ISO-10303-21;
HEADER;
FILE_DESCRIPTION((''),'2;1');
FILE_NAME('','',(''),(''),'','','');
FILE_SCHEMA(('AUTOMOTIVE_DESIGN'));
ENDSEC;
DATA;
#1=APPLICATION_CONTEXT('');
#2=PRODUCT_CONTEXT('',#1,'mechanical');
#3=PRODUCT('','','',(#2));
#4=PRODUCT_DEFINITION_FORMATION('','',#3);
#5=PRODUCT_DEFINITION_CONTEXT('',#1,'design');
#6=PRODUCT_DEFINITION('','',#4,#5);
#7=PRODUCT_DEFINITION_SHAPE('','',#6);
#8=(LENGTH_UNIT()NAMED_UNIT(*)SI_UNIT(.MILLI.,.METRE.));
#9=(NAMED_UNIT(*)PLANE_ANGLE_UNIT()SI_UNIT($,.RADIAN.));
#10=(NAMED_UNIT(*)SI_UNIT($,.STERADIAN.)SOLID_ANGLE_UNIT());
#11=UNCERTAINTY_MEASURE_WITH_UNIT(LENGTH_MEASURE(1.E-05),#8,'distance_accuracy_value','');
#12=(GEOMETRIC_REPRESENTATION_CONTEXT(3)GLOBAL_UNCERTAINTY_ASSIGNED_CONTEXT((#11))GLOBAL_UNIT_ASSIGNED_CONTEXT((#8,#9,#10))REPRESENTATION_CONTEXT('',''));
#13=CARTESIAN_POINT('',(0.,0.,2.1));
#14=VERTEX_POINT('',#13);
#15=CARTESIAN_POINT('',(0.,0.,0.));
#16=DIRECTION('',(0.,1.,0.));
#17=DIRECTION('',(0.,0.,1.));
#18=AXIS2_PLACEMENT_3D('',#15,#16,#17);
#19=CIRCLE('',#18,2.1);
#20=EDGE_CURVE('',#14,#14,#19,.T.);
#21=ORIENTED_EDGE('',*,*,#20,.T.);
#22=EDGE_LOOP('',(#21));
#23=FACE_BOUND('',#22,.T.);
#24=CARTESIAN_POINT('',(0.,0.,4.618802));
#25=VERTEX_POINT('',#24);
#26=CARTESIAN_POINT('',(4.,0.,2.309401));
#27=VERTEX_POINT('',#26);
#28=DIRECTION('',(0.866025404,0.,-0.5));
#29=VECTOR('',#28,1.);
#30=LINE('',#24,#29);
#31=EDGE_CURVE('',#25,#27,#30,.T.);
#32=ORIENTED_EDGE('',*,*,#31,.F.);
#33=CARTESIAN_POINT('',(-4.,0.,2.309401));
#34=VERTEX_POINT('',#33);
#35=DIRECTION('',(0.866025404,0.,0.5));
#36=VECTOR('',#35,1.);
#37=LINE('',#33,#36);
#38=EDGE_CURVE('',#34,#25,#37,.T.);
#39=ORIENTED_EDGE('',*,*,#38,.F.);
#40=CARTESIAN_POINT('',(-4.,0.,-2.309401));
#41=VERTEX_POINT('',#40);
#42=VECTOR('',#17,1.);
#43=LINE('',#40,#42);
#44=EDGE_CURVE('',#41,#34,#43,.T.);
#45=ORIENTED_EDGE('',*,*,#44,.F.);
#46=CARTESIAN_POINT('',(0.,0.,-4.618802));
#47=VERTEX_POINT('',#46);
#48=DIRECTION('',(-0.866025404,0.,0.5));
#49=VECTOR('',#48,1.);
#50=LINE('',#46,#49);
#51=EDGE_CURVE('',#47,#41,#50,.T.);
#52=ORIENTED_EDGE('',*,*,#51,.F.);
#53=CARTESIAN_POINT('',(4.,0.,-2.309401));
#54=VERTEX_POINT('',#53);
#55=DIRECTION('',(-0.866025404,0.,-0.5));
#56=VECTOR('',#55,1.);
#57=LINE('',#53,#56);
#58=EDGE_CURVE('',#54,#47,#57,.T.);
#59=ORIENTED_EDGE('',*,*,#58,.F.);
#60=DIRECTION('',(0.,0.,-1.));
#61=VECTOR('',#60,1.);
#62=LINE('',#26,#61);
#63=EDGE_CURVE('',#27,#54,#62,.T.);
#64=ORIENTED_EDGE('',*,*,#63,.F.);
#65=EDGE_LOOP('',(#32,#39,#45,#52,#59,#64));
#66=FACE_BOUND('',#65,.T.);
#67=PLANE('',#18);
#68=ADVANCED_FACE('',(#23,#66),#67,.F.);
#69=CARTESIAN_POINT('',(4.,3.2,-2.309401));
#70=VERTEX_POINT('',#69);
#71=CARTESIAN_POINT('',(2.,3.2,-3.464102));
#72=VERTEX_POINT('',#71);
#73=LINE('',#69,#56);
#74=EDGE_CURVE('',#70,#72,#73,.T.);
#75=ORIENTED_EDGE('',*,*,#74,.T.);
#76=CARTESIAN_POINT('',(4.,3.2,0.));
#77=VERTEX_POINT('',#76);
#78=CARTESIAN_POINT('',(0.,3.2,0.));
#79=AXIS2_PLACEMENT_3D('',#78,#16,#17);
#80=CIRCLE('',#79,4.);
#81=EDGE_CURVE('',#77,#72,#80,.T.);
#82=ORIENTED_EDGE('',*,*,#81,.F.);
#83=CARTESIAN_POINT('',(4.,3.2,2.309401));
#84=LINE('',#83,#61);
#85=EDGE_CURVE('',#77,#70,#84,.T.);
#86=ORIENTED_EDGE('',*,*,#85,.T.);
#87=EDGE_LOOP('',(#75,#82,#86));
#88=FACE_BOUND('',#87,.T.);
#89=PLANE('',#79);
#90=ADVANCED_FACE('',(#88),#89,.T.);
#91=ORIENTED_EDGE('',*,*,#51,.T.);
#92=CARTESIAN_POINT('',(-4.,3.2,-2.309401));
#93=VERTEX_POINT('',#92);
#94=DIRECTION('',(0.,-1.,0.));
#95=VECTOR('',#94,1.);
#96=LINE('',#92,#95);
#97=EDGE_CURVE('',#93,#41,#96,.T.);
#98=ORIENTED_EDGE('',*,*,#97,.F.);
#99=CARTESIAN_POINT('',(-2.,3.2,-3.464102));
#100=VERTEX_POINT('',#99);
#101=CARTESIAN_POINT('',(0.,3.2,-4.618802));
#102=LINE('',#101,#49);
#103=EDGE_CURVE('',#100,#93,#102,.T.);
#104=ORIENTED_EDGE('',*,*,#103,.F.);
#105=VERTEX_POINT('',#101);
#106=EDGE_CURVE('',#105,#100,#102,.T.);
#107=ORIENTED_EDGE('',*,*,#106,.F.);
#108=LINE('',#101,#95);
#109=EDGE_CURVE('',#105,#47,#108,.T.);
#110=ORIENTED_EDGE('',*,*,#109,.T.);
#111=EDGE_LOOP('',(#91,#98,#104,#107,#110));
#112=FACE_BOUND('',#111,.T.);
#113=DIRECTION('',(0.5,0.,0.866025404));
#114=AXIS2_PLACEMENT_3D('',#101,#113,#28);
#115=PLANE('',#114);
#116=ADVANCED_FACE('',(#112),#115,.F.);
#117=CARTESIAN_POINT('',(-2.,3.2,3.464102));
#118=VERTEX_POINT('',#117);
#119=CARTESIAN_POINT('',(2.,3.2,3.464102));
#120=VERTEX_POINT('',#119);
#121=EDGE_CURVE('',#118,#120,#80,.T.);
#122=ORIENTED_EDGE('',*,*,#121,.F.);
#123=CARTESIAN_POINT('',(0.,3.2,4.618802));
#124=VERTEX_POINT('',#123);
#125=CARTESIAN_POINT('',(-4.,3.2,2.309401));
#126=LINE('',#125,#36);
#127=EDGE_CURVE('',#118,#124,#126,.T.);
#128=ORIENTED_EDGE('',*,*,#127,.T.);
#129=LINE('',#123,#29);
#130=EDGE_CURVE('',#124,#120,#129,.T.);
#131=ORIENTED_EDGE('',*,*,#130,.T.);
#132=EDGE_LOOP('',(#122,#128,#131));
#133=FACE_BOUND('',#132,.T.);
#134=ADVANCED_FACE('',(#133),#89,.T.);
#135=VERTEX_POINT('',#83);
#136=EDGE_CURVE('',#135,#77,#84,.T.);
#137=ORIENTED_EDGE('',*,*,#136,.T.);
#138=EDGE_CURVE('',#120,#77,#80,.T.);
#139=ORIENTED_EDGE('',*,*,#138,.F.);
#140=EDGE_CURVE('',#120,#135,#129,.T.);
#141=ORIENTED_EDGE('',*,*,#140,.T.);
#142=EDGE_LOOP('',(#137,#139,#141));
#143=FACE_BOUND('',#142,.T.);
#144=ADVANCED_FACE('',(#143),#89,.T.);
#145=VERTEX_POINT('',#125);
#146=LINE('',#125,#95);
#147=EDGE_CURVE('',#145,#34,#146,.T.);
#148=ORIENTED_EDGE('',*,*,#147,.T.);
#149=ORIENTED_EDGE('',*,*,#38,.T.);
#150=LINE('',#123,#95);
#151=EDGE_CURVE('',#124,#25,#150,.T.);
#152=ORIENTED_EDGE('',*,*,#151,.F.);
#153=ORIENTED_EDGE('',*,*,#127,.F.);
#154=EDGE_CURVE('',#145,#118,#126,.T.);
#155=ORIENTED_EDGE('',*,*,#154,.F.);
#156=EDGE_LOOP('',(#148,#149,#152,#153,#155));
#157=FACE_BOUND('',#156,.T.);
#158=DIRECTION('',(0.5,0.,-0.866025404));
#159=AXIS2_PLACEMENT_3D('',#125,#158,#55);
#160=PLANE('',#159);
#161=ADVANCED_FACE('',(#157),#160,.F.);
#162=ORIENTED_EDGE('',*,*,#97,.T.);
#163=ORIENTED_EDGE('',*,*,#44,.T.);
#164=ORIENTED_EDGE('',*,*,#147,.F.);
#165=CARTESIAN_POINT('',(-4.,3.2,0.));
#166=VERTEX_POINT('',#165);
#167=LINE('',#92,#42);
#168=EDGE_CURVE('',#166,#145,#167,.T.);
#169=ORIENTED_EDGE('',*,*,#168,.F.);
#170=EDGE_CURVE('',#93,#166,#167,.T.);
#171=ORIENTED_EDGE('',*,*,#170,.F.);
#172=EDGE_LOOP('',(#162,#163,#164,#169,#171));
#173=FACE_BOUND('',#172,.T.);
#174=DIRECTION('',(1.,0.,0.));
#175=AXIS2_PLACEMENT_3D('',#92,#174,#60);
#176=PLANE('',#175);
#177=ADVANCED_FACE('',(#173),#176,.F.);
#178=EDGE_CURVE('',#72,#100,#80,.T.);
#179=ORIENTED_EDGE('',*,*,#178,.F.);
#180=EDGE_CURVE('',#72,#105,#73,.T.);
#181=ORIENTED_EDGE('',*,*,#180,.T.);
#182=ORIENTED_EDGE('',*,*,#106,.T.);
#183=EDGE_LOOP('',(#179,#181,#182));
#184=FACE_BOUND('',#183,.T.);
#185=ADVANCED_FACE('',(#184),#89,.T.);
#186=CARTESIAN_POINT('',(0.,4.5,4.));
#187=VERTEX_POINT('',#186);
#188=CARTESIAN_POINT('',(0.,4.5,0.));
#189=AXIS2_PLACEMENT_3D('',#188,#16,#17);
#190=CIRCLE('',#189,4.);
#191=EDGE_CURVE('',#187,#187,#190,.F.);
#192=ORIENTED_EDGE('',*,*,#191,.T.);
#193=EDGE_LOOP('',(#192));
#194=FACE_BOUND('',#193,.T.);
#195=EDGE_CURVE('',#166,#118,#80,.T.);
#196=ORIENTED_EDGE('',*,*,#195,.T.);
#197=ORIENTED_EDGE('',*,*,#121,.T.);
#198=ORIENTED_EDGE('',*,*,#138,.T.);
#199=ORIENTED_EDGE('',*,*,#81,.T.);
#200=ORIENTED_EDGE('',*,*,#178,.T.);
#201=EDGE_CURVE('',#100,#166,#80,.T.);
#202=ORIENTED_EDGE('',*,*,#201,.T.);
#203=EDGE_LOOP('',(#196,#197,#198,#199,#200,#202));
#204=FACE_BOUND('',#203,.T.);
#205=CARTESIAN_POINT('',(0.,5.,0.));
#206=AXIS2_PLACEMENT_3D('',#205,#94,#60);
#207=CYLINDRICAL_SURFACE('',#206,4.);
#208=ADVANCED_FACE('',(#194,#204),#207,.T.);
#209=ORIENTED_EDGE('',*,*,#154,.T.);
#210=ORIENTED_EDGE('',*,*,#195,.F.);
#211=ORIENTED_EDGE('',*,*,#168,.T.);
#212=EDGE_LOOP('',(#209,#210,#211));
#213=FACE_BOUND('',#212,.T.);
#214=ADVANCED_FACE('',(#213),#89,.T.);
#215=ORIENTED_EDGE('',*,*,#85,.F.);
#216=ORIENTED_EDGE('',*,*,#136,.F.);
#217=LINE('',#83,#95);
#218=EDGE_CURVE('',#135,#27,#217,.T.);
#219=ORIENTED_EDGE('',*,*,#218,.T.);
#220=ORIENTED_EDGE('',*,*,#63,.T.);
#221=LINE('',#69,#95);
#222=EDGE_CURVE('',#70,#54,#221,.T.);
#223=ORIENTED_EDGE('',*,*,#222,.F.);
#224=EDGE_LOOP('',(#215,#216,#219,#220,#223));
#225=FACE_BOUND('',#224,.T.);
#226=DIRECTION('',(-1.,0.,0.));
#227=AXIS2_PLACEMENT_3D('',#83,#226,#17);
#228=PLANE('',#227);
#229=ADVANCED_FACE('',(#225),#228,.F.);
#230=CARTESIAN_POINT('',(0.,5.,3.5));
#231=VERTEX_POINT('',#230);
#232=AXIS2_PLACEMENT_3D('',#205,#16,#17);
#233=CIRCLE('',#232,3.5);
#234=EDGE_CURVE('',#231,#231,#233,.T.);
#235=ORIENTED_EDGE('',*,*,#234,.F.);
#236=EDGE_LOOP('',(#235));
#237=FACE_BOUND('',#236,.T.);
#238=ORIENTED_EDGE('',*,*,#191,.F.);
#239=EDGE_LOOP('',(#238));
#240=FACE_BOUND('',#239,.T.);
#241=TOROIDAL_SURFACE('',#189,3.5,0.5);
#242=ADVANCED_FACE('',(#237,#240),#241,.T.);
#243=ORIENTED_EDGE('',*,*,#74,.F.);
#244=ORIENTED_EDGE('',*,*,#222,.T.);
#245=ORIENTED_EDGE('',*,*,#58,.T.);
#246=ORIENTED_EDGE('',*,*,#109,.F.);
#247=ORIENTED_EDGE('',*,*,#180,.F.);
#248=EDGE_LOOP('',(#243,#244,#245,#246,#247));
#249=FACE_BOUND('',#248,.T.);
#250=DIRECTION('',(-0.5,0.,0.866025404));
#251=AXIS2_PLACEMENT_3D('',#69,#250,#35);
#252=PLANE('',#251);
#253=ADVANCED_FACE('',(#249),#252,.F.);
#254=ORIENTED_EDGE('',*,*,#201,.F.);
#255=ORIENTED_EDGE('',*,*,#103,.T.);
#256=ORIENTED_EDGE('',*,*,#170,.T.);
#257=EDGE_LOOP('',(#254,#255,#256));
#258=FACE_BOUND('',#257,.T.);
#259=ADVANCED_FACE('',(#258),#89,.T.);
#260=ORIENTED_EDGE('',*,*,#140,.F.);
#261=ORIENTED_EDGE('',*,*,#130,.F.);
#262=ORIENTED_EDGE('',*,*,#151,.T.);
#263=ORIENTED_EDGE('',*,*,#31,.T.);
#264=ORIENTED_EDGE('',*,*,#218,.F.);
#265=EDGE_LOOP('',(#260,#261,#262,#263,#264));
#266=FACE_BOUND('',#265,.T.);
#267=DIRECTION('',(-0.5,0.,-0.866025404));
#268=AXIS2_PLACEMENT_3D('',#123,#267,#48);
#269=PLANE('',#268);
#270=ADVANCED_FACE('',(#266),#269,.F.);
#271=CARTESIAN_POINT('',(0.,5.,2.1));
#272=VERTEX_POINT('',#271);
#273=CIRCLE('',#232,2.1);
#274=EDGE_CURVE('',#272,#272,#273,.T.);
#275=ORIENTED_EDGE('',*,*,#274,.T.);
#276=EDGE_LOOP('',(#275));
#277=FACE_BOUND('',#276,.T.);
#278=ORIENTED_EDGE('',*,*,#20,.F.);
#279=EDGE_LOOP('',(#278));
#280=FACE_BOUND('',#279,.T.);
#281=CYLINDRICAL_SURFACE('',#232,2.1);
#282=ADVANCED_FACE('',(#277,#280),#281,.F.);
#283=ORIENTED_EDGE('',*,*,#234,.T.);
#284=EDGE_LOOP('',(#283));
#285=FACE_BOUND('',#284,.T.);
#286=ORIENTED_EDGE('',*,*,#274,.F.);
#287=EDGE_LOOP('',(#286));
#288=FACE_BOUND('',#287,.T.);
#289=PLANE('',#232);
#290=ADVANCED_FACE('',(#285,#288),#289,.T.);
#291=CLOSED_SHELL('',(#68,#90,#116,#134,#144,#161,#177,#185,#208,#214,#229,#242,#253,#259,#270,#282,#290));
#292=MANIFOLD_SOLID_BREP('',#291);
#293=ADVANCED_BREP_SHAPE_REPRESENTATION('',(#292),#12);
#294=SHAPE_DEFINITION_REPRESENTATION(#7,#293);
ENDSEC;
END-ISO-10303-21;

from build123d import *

# Parameters (mm, degrees)
EXTRUDE_1_DEPTH    = 3.2
SKETCH_2_R         = 4
EXTRUDE_2_DEPTH    = 1.8
FILLET_1_R         = 0.5
HOLE_WIZARD_M5_1_D = 4.2


with BuildPart() as part:
    # 草图1 → 凸台-拉伸1 (new body)
    with BuildSketch(Plane(origin=(0, 0, 0), x_dir=(1, 0, 0), z_dir=(0, 1, 0))):
        Polygon((0, 4.618802154), (-4, 2.309401077), (-4, -2.309401077), (0, -4.618802154), (4, -2.309401077), (4, 2.309401077), align=None)
    extrude(amount=EXTRUDE_1_DEPTH)

    # 草图2 → 凸台-拉伸2 (add)
    with BuildSketch(Plane(origin=(0, 3.2, 0), x_dir=(1, 0, 0), z_dir=(0, 1, 0))):
        with Locations(Location((0, 0, 0), (0, 0, 60))):
            Circle(SKETCH_2_R)
    extrude(amount=EXTRUDE_2_DEPTH)

    # 圆角1
    fillet_1_edges = [part.edges().sort_by_distance(p)[0] for p in [
        (-2, 5, 3.464101615),
    ]]
    fillet(fillet_1_edges, radius=FILLET_1_R)

    # M5 螺纹孔1 (through all)
    with Locations(Plane(origin=(0, 5, 0), x_dir=(1, 0, 0), z_dir=(0, 1, 0))):
        with Locations((0, 0)):
            Hole(HOLE_WIZARD_M5_1_D / 2)


solid = part.part
